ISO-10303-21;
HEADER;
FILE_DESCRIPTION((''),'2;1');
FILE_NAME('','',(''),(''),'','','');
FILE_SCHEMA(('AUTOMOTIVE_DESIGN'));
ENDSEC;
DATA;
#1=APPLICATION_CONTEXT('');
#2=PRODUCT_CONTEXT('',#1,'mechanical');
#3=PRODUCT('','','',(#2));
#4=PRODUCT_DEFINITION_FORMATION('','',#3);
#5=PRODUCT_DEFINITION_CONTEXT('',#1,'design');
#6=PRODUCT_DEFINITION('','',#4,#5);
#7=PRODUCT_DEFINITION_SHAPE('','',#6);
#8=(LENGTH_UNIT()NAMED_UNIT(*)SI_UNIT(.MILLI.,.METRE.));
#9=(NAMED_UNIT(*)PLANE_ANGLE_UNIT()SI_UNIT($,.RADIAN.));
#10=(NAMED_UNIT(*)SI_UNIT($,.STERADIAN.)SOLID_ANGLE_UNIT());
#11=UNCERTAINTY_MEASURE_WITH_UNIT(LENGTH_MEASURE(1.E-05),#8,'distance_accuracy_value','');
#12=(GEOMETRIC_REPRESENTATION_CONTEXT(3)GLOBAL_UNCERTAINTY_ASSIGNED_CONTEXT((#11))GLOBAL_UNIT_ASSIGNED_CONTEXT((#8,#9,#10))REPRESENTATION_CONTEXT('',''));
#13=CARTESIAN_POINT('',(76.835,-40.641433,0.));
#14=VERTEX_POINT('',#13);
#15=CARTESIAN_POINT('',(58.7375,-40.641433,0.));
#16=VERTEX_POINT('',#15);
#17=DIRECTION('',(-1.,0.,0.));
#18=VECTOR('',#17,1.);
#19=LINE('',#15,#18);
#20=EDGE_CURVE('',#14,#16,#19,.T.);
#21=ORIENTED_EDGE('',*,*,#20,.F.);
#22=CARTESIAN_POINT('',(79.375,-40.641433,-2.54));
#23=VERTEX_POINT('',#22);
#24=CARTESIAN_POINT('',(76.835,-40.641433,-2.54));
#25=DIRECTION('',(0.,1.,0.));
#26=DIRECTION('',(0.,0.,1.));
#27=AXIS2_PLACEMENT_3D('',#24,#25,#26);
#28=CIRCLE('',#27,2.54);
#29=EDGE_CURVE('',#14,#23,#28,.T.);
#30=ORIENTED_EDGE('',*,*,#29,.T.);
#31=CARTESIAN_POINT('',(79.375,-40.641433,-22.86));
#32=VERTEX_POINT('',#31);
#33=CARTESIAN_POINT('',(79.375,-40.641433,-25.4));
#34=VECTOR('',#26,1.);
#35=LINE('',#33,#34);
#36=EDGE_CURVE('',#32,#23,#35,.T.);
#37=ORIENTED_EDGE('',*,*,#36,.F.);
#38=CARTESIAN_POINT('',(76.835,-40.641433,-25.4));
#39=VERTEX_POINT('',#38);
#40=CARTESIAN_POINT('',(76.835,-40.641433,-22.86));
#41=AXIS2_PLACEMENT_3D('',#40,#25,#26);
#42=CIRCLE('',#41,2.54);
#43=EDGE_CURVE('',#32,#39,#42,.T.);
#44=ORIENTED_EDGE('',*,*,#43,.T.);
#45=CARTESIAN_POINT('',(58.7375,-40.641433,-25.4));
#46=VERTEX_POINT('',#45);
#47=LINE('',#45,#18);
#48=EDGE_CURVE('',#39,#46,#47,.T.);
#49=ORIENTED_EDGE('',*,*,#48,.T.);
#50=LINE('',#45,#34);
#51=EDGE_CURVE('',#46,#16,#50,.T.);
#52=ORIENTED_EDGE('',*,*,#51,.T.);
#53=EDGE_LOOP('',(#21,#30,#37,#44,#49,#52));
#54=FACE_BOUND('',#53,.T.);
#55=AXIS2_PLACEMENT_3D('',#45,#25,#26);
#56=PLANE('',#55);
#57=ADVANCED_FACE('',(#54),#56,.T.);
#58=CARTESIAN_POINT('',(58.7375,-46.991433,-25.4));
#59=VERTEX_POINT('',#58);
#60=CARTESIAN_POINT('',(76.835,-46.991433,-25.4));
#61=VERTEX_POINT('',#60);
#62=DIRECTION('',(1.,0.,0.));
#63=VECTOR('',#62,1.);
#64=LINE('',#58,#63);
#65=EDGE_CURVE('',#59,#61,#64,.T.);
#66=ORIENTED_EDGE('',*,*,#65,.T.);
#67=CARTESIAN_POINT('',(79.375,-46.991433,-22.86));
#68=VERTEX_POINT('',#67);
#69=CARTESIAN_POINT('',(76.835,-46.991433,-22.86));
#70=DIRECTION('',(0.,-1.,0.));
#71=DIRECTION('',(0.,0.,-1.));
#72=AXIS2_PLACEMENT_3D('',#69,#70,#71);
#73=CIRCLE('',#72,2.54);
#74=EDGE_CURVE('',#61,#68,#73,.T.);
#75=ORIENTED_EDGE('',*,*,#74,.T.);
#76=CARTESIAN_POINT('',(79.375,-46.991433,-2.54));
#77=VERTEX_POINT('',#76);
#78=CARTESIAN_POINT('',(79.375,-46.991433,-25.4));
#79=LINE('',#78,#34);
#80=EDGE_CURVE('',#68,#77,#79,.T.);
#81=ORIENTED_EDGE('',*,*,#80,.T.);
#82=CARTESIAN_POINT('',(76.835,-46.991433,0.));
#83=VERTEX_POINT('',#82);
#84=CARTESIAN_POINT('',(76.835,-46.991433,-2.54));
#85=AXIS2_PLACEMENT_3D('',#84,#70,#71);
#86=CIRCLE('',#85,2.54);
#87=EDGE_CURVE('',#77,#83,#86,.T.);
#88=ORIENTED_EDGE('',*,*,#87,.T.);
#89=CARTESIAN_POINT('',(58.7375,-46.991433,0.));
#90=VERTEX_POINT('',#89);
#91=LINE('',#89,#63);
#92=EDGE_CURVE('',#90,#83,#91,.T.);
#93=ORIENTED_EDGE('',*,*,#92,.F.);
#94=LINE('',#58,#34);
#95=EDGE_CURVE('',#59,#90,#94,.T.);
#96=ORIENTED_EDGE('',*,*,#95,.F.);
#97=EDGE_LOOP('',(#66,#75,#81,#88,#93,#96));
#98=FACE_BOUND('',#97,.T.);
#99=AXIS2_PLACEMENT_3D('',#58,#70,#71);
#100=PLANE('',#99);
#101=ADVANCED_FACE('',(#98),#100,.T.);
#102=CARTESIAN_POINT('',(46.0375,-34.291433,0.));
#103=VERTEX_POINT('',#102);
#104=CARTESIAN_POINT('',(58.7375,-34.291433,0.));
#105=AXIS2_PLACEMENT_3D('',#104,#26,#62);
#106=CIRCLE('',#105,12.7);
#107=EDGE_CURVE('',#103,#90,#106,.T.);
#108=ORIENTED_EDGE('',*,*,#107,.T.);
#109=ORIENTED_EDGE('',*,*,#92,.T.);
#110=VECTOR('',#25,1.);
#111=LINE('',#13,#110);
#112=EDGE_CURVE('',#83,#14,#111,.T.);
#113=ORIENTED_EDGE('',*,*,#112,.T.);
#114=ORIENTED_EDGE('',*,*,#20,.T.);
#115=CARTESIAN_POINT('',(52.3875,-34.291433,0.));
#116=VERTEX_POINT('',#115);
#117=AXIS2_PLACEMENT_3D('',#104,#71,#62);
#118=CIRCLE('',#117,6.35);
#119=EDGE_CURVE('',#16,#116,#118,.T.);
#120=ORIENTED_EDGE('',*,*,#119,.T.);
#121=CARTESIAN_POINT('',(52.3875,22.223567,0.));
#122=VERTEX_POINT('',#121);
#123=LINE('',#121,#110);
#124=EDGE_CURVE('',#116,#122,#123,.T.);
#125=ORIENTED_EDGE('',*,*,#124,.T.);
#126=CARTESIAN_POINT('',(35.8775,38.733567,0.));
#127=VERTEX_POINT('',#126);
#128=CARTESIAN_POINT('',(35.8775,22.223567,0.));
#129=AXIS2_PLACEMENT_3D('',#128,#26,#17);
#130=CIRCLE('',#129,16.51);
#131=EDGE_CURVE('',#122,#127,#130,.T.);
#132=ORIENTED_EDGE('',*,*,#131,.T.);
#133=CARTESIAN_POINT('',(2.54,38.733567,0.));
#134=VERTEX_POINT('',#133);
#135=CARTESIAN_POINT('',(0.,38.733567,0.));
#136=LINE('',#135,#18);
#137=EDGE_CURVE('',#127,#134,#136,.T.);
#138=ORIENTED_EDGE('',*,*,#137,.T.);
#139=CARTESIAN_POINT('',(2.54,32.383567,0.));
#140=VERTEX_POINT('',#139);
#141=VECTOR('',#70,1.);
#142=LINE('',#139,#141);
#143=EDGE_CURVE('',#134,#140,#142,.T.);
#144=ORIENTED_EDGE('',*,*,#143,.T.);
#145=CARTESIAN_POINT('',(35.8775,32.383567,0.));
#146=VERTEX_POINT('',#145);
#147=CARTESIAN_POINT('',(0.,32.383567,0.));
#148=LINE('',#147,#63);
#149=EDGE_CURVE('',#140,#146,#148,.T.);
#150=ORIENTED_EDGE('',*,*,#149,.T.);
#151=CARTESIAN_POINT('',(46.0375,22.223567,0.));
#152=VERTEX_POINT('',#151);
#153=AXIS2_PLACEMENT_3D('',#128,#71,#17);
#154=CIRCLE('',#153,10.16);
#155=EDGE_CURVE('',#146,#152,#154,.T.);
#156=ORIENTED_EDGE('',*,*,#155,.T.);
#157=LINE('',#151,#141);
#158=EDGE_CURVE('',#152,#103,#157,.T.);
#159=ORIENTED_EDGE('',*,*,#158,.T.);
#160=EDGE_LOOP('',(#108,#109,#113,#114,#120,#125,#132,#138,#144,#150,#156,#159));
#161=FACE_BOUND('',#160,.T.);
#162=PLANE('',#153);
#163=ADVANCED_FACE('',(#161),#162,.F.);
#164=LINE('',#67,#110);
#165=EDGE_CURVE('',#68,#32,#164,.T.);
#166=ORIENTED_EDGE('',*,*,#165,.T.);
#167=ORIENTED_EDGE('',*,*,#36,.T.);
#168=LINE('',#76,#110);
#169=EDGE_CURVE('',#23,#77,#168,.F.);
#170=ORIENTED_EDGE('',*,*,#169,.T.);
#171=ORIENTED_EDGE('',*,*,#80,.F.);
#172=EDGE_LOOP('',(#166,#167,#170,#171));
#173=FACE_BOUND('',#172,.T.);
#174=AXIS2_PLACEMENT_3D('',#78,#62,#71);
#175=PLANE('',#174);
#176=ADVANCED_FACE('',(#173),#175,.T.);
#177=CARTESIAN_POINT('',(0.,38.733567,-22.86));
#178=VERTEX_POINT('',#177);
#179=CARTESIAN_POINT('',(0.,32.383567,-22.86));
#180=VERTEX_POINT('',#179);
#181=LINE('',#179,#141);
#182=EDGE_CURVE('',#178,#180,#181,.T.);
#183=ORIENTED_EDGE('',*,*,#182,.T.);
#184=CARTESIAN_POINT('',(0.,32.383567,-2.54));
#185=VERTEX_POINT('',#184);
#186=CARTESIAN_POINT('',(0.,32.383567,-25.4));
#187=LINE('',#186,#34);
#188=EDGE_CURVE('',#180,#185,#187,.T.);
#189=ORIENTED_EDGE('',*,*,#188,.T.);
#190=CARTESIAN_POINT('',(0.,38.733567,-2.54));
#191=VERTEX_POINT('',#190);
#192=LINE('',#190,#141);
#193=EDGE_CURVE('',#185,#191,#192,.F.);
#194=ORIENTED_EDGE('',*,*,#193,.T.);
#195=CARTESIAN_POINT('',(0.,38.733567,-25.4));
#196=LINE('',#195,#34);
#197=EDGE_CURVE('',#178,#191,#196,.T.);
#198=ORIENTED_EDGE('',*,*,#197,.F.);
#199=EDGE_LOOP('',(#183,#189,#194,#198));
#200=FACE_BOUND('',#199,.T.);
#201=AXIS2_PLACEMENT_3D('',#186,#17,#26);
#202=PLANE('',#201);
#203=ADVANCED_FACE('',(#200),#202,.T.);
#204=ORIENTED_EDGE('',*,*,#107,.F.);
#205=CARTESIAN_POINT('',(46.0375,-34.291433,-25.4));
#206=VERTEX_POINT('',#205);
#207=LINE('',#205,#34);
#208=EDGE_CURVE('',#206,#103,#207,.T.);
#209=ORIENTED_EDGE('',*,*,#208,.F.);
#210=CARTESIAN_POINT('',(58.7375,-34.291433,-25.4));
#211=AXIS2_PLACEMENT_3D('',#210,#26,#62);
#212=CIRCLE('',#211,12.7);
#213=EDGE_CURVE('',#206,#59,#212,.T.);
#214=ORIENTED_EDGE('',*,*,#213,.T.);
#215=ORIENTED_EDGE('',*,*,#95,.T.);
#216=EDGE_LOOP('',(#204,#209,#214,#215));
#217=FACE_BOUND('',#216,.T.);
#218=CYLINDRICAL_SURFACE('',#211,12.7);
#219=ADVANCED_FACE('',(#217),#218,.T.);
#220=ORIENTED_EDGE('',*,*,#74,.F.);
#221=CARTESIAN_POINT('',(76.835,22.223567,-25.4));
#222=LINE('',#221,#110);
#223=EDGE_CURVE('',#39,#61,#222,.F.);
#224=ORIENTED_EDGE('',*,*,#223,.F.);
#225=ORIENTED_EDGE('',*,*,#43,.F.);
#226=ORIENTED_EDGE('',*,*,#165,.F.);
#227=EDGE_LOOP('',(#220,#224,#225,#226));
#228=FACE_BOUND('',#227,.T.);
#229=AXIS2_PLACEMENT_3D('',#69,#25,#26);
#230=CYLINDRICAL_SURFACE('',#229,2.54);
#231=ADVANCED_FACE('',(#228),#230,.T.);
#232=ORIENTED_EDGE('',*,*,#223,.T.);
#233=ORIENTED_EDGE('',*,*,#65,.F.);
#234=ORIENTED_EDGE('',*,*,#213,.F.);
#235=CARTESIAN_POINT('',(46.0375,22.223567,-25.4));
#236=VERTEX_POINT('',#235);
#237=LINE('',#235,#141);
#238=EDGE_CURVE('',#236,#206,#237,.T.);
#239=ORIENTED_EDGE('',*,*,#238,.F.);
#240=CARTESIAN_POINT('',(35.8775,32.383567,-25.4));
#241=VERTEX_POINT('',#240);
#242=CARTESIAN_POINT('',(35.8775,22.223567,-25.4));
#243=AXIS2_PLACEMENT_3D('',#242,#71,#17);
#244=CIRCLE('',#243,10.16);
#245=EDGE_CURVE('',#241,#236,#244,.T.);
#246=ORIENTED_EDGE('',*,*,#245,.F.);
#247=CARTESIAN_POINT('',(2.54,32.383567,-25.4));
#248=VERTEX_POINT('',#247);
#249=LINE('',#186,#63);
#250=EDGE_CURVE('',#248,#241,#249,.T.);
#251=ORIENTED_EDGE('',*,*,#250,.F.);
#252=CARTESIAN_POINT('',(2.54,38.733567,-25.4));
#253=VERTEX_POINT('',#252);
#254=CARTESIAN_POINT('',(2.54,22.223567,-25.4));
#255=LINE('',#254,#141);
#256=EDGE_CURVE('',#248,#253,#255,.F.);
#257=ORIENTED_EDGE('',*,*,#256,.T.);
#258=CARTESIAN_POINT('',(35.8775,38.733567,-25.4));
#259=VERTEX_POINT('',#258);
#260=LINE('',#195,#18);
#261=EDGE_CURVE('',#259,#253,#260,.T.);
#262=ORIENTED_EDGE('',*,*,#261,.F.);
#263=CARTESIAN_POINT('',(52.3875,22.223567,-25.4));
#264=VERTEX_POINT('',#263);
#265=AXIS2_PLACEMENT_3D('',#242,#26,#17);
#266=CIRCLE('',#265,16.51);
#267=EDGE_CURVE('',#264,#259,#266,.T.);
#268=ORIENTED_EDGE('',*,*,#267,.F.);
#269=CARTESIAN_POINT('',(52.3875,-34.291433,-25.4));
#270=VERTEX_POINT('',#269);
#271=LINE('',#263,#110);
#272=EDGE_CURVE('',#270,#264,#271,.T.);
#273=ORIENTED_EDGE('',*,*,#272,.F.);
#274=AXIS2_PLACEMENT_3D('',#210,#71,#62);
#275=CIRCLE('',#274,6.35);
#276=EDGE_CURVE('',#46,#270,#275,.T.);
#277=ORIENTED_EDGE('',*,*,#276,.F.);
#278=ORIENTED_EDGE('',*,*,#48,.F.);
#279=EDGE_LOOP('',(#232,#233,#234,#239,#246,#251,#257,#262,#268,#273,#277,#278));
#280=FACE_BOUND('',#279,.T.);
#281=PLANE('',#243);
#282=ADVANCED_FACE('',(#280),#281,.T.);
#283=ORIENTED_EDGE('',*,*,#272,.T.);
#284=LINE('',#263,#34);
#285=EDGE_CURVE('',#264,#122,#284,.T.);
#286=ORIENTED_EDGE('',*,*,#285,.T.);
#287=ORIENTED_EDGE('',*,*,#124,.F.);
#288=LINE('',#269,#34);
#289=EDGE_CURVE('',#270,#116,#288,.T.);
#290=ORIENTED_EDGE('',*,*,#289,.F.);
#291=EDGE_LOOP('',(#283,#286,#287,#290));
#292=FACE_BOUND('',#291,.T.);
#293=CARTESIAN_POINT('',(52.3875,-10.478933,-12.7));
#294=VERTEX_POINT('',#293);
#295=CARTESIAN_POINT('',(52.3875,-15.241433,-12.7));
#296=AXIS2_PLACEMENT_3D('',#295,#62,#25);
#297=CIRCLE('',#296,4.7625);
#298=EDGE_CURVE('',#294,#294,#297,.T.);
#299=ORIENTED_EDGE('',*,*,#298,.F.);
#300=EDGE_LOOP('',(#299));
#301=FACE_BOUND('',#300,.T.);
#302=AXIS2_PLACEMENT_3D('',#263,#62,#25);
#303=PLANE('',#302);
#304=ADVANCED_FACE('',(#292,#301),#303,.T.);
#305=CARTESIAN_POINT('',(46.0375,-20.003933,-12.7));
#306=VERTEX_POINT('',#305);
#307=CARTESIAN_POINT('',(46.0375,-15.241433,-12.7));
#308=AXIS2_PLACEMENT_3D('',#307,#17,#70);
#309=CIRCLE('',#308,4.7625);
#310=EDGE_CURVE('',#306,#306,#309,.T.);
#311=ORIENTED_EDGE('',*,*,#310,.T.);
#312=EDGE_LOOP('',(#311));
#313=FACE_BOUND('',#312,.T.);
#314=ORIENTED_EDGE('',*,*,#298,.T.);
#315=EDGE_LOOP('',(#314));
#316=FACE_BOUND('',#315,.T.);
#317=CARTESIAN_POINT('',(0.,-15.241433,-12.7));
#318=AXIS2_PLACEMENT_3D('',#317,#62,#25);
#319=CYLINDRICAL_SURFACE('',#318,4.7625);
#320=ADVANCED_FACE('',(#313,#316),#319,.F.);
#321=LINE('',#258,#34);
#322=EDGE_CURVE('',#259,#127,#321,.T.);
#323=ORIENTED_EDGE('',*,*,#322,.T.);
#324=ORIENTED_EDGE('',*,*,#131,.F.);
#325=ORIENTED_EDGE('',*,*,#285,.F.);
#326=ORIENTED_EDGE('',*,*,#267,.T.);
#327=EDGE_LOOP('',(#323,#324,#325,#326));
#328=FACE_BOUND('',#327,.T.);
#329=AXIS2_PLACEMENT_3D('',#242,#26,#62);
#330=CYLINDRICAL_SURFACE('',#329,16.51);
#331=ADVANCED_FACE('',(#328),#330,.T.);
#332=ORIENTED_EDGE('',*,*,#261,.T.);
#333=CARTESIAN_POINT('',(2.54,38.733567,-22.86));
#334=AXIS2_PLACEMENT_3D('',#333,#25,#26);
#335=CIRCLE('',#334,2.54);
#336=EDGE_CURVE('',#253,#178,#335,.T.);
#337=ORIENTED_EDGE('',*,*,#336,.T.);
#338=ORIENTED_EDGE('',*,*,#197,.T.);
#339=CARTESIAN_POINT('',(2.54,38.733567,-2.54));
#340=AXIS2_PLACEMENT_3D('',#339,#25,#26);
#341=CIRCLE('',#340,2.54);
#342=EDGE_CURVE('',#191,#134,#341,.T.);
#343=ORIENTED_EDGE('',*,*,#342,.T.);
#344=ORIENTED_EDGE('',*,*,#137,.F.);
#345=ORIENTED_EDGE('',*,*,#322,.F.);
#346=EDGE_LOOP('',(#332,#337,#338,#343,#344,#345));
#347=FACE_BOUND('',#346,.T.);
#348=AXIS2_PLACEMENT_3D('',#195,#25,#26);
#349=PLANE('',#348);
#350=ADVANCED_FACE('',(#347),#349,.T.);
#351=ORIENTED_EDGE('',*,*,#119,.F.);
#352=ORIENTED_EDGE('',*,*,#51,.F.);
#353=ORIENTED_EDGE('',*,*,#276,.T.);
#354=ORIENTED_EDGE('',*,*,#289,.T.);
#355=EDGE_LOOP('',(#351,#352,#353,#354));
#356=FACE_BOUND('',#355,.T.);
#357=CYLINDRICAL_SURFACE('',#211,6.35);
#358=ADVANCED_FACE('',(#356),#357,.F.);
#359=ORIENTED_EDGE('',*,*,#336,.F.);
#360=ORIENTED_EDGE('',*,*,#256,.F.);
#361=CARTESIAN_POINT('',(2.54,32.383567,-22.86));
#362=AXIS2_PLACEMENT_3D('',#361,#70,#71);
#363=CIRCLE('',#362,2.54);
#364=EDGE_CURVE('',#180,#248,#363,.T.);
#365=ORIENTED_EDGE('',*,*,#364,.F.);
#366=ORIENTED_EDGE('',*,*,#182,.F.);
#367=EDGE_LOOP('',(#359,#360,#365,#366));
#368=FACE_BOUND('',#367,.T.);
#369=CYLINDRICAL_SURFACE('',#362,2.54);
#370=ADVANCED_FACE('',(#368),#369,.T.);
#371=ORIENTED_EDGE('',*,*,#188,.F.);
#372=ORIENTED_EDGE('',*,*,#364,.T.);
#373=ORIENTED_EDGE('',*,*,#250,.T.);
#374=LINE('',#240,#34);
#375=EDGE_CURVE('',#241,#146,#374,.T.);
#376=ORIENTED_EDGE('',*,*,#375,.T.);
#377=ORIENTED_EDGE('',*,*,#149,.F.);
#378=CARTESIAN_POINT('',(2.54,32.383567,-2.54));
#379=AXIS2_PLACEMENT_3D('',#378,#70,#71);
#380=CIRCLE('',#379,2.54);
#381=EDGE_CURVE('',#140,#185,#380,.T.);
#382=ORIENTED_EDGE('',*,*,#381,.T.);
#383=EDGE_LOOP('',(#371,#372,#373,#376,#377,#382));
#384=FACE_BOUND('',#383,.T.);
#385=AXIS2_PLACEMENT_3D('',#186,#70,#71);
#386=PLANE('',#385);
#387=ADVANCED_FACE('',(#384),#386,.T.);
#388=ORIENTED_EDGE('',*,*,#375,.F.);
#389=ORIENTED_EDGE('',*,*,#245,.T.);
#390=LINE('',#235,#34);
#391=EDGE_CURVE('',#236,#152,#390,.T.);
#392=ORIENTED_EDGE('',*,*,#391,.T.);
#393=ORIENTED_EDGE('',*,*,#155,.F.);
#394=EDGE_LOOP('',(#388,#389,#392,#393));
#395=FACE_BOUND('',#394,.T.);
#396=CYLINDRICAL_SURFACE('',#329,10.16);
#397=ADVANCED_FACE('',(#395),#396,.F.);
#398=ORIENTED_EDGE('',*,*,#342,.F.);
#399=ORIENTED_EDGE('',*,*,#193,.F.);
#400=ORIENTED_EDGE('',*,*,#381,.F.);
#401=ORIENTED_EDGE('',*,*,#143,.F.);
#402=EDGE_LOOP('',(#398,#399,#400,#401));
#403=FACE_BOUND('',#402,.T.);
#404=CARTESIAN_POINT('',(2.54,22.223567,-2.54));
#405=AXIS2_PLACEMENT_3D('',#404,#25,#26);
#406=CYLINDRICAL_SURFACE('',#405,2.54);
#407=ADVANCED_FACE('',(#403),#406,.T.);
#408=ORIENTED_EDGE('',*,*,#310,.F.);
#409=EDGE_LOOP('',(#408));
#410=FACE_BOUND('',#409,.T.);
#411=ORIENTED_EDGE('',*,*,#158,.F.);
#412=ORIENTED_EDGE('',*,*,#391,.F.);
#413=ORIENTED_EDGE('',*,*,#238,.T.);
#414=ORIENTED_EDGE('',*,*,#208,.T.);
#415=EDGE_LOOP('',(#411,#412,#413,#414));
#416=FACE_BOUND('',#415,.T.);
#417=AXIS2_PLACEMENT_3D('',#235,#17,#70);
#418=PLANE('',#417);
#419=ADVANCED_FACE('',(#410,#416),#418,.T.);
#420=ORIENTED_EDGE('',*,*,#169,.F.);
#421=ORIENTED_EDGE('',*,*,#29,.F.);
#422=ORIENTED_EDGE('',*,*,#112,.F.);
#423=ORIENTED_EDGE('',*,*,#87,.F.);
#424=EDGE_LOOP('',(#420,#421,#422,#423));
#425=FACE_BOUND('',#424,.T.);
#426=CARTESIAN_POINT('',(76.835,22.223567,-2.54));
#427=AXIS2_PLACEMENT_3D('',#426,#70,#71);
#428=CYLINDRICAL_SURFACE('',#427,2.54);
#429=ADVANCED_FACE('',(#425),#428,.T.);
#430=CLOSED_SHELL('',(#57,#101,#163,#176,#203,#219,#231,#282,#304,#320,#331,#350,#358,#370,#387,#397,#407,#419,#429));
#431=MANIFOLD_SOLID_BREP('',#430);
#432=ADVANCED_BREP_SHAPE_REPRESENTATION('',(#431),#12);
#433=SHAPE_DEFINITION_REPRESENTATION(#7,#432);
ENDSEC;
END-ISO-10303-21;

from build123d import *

# Parameters (mm, degrees)
BOSS_EXTRUDE1_DEPTH = 25.4
FILLET1_R           = 2.54
SKETCH2_R           = 4.7625
CUT_EXTRUDE1_DEPTH  = 75.818479696


with BuildPart() as part:
    # Sketch1 → Boss-Extrude1 (new body)
    with BuildSketch(Plane.XY):
        with BuildLine():
            Line((0, 32.383567293), (35.8775, 32.383567293))
            ThreePointArc((35.8775, 32.383567293), (43.061704897, 29.40777219), (46.0375, 22.223567293))
            Line((46.0375, 22.223567293), (46.0375, -34.291432707))
            ThreePointArc((46.0375, -34.291432707), (49.757243879, -43.271688828), (58.7375, -46.991432707))
            Line((58.7375, -46.991432707), (79.375, -46.991432707))
            Line((79.375, -46.991432707), (79.375, -40.641432707))
            Line((79.375, -40.641432707), (58.7375, -40.641432707))
            ThreePointArc((58.7375, -40.641432707), (54.247371939, -38.781560767), (52.3875, -34.291432707))
            Line((52.3875, -34.291432707), (52.3875, 22.223567293))
            ThreePointArc((52.3875, 22.223567293), (47.551832957, 33.897900251), (35.8775, 38.733567293))
            Line((35.8775, 38.733567293), (0, 38.733567293))
            Line((0, 38.733567293), (0, 32.383567293))
        make_face()
    extrude(amount=-BOSS_EXTRUDE1_DEPTH)

    # Fillet1
    fillet1_edges = [part.edges().sort_by_distance(p)[0] for p in [
        (79.375, -43.816432707, 0),
        (0, 35.558567293, 0),
        (79.375, -43.816432707, -25.4),
        (0, 35.558567293, -25.4),
    ]]
    fillet(fillet1_edges, radius=FILLET1_R)

    # Sketch2 → Cut-Extrude1 (cut, through all)
    with BuildSketch(Plane(origin=(52.3875, 0, 0), x_dir=(0, 0, -1), z_dir=(1, 0, 0))):
        with Locations(Location((12.7, -15.241432707, 0), (0, 0, 90))):
            Circle(SKETCH2_R)
    extrude(amount=-CUT_EXTRUDE1_DEPTH, mode=Mode.SUBTRACT)


solid = part.part
